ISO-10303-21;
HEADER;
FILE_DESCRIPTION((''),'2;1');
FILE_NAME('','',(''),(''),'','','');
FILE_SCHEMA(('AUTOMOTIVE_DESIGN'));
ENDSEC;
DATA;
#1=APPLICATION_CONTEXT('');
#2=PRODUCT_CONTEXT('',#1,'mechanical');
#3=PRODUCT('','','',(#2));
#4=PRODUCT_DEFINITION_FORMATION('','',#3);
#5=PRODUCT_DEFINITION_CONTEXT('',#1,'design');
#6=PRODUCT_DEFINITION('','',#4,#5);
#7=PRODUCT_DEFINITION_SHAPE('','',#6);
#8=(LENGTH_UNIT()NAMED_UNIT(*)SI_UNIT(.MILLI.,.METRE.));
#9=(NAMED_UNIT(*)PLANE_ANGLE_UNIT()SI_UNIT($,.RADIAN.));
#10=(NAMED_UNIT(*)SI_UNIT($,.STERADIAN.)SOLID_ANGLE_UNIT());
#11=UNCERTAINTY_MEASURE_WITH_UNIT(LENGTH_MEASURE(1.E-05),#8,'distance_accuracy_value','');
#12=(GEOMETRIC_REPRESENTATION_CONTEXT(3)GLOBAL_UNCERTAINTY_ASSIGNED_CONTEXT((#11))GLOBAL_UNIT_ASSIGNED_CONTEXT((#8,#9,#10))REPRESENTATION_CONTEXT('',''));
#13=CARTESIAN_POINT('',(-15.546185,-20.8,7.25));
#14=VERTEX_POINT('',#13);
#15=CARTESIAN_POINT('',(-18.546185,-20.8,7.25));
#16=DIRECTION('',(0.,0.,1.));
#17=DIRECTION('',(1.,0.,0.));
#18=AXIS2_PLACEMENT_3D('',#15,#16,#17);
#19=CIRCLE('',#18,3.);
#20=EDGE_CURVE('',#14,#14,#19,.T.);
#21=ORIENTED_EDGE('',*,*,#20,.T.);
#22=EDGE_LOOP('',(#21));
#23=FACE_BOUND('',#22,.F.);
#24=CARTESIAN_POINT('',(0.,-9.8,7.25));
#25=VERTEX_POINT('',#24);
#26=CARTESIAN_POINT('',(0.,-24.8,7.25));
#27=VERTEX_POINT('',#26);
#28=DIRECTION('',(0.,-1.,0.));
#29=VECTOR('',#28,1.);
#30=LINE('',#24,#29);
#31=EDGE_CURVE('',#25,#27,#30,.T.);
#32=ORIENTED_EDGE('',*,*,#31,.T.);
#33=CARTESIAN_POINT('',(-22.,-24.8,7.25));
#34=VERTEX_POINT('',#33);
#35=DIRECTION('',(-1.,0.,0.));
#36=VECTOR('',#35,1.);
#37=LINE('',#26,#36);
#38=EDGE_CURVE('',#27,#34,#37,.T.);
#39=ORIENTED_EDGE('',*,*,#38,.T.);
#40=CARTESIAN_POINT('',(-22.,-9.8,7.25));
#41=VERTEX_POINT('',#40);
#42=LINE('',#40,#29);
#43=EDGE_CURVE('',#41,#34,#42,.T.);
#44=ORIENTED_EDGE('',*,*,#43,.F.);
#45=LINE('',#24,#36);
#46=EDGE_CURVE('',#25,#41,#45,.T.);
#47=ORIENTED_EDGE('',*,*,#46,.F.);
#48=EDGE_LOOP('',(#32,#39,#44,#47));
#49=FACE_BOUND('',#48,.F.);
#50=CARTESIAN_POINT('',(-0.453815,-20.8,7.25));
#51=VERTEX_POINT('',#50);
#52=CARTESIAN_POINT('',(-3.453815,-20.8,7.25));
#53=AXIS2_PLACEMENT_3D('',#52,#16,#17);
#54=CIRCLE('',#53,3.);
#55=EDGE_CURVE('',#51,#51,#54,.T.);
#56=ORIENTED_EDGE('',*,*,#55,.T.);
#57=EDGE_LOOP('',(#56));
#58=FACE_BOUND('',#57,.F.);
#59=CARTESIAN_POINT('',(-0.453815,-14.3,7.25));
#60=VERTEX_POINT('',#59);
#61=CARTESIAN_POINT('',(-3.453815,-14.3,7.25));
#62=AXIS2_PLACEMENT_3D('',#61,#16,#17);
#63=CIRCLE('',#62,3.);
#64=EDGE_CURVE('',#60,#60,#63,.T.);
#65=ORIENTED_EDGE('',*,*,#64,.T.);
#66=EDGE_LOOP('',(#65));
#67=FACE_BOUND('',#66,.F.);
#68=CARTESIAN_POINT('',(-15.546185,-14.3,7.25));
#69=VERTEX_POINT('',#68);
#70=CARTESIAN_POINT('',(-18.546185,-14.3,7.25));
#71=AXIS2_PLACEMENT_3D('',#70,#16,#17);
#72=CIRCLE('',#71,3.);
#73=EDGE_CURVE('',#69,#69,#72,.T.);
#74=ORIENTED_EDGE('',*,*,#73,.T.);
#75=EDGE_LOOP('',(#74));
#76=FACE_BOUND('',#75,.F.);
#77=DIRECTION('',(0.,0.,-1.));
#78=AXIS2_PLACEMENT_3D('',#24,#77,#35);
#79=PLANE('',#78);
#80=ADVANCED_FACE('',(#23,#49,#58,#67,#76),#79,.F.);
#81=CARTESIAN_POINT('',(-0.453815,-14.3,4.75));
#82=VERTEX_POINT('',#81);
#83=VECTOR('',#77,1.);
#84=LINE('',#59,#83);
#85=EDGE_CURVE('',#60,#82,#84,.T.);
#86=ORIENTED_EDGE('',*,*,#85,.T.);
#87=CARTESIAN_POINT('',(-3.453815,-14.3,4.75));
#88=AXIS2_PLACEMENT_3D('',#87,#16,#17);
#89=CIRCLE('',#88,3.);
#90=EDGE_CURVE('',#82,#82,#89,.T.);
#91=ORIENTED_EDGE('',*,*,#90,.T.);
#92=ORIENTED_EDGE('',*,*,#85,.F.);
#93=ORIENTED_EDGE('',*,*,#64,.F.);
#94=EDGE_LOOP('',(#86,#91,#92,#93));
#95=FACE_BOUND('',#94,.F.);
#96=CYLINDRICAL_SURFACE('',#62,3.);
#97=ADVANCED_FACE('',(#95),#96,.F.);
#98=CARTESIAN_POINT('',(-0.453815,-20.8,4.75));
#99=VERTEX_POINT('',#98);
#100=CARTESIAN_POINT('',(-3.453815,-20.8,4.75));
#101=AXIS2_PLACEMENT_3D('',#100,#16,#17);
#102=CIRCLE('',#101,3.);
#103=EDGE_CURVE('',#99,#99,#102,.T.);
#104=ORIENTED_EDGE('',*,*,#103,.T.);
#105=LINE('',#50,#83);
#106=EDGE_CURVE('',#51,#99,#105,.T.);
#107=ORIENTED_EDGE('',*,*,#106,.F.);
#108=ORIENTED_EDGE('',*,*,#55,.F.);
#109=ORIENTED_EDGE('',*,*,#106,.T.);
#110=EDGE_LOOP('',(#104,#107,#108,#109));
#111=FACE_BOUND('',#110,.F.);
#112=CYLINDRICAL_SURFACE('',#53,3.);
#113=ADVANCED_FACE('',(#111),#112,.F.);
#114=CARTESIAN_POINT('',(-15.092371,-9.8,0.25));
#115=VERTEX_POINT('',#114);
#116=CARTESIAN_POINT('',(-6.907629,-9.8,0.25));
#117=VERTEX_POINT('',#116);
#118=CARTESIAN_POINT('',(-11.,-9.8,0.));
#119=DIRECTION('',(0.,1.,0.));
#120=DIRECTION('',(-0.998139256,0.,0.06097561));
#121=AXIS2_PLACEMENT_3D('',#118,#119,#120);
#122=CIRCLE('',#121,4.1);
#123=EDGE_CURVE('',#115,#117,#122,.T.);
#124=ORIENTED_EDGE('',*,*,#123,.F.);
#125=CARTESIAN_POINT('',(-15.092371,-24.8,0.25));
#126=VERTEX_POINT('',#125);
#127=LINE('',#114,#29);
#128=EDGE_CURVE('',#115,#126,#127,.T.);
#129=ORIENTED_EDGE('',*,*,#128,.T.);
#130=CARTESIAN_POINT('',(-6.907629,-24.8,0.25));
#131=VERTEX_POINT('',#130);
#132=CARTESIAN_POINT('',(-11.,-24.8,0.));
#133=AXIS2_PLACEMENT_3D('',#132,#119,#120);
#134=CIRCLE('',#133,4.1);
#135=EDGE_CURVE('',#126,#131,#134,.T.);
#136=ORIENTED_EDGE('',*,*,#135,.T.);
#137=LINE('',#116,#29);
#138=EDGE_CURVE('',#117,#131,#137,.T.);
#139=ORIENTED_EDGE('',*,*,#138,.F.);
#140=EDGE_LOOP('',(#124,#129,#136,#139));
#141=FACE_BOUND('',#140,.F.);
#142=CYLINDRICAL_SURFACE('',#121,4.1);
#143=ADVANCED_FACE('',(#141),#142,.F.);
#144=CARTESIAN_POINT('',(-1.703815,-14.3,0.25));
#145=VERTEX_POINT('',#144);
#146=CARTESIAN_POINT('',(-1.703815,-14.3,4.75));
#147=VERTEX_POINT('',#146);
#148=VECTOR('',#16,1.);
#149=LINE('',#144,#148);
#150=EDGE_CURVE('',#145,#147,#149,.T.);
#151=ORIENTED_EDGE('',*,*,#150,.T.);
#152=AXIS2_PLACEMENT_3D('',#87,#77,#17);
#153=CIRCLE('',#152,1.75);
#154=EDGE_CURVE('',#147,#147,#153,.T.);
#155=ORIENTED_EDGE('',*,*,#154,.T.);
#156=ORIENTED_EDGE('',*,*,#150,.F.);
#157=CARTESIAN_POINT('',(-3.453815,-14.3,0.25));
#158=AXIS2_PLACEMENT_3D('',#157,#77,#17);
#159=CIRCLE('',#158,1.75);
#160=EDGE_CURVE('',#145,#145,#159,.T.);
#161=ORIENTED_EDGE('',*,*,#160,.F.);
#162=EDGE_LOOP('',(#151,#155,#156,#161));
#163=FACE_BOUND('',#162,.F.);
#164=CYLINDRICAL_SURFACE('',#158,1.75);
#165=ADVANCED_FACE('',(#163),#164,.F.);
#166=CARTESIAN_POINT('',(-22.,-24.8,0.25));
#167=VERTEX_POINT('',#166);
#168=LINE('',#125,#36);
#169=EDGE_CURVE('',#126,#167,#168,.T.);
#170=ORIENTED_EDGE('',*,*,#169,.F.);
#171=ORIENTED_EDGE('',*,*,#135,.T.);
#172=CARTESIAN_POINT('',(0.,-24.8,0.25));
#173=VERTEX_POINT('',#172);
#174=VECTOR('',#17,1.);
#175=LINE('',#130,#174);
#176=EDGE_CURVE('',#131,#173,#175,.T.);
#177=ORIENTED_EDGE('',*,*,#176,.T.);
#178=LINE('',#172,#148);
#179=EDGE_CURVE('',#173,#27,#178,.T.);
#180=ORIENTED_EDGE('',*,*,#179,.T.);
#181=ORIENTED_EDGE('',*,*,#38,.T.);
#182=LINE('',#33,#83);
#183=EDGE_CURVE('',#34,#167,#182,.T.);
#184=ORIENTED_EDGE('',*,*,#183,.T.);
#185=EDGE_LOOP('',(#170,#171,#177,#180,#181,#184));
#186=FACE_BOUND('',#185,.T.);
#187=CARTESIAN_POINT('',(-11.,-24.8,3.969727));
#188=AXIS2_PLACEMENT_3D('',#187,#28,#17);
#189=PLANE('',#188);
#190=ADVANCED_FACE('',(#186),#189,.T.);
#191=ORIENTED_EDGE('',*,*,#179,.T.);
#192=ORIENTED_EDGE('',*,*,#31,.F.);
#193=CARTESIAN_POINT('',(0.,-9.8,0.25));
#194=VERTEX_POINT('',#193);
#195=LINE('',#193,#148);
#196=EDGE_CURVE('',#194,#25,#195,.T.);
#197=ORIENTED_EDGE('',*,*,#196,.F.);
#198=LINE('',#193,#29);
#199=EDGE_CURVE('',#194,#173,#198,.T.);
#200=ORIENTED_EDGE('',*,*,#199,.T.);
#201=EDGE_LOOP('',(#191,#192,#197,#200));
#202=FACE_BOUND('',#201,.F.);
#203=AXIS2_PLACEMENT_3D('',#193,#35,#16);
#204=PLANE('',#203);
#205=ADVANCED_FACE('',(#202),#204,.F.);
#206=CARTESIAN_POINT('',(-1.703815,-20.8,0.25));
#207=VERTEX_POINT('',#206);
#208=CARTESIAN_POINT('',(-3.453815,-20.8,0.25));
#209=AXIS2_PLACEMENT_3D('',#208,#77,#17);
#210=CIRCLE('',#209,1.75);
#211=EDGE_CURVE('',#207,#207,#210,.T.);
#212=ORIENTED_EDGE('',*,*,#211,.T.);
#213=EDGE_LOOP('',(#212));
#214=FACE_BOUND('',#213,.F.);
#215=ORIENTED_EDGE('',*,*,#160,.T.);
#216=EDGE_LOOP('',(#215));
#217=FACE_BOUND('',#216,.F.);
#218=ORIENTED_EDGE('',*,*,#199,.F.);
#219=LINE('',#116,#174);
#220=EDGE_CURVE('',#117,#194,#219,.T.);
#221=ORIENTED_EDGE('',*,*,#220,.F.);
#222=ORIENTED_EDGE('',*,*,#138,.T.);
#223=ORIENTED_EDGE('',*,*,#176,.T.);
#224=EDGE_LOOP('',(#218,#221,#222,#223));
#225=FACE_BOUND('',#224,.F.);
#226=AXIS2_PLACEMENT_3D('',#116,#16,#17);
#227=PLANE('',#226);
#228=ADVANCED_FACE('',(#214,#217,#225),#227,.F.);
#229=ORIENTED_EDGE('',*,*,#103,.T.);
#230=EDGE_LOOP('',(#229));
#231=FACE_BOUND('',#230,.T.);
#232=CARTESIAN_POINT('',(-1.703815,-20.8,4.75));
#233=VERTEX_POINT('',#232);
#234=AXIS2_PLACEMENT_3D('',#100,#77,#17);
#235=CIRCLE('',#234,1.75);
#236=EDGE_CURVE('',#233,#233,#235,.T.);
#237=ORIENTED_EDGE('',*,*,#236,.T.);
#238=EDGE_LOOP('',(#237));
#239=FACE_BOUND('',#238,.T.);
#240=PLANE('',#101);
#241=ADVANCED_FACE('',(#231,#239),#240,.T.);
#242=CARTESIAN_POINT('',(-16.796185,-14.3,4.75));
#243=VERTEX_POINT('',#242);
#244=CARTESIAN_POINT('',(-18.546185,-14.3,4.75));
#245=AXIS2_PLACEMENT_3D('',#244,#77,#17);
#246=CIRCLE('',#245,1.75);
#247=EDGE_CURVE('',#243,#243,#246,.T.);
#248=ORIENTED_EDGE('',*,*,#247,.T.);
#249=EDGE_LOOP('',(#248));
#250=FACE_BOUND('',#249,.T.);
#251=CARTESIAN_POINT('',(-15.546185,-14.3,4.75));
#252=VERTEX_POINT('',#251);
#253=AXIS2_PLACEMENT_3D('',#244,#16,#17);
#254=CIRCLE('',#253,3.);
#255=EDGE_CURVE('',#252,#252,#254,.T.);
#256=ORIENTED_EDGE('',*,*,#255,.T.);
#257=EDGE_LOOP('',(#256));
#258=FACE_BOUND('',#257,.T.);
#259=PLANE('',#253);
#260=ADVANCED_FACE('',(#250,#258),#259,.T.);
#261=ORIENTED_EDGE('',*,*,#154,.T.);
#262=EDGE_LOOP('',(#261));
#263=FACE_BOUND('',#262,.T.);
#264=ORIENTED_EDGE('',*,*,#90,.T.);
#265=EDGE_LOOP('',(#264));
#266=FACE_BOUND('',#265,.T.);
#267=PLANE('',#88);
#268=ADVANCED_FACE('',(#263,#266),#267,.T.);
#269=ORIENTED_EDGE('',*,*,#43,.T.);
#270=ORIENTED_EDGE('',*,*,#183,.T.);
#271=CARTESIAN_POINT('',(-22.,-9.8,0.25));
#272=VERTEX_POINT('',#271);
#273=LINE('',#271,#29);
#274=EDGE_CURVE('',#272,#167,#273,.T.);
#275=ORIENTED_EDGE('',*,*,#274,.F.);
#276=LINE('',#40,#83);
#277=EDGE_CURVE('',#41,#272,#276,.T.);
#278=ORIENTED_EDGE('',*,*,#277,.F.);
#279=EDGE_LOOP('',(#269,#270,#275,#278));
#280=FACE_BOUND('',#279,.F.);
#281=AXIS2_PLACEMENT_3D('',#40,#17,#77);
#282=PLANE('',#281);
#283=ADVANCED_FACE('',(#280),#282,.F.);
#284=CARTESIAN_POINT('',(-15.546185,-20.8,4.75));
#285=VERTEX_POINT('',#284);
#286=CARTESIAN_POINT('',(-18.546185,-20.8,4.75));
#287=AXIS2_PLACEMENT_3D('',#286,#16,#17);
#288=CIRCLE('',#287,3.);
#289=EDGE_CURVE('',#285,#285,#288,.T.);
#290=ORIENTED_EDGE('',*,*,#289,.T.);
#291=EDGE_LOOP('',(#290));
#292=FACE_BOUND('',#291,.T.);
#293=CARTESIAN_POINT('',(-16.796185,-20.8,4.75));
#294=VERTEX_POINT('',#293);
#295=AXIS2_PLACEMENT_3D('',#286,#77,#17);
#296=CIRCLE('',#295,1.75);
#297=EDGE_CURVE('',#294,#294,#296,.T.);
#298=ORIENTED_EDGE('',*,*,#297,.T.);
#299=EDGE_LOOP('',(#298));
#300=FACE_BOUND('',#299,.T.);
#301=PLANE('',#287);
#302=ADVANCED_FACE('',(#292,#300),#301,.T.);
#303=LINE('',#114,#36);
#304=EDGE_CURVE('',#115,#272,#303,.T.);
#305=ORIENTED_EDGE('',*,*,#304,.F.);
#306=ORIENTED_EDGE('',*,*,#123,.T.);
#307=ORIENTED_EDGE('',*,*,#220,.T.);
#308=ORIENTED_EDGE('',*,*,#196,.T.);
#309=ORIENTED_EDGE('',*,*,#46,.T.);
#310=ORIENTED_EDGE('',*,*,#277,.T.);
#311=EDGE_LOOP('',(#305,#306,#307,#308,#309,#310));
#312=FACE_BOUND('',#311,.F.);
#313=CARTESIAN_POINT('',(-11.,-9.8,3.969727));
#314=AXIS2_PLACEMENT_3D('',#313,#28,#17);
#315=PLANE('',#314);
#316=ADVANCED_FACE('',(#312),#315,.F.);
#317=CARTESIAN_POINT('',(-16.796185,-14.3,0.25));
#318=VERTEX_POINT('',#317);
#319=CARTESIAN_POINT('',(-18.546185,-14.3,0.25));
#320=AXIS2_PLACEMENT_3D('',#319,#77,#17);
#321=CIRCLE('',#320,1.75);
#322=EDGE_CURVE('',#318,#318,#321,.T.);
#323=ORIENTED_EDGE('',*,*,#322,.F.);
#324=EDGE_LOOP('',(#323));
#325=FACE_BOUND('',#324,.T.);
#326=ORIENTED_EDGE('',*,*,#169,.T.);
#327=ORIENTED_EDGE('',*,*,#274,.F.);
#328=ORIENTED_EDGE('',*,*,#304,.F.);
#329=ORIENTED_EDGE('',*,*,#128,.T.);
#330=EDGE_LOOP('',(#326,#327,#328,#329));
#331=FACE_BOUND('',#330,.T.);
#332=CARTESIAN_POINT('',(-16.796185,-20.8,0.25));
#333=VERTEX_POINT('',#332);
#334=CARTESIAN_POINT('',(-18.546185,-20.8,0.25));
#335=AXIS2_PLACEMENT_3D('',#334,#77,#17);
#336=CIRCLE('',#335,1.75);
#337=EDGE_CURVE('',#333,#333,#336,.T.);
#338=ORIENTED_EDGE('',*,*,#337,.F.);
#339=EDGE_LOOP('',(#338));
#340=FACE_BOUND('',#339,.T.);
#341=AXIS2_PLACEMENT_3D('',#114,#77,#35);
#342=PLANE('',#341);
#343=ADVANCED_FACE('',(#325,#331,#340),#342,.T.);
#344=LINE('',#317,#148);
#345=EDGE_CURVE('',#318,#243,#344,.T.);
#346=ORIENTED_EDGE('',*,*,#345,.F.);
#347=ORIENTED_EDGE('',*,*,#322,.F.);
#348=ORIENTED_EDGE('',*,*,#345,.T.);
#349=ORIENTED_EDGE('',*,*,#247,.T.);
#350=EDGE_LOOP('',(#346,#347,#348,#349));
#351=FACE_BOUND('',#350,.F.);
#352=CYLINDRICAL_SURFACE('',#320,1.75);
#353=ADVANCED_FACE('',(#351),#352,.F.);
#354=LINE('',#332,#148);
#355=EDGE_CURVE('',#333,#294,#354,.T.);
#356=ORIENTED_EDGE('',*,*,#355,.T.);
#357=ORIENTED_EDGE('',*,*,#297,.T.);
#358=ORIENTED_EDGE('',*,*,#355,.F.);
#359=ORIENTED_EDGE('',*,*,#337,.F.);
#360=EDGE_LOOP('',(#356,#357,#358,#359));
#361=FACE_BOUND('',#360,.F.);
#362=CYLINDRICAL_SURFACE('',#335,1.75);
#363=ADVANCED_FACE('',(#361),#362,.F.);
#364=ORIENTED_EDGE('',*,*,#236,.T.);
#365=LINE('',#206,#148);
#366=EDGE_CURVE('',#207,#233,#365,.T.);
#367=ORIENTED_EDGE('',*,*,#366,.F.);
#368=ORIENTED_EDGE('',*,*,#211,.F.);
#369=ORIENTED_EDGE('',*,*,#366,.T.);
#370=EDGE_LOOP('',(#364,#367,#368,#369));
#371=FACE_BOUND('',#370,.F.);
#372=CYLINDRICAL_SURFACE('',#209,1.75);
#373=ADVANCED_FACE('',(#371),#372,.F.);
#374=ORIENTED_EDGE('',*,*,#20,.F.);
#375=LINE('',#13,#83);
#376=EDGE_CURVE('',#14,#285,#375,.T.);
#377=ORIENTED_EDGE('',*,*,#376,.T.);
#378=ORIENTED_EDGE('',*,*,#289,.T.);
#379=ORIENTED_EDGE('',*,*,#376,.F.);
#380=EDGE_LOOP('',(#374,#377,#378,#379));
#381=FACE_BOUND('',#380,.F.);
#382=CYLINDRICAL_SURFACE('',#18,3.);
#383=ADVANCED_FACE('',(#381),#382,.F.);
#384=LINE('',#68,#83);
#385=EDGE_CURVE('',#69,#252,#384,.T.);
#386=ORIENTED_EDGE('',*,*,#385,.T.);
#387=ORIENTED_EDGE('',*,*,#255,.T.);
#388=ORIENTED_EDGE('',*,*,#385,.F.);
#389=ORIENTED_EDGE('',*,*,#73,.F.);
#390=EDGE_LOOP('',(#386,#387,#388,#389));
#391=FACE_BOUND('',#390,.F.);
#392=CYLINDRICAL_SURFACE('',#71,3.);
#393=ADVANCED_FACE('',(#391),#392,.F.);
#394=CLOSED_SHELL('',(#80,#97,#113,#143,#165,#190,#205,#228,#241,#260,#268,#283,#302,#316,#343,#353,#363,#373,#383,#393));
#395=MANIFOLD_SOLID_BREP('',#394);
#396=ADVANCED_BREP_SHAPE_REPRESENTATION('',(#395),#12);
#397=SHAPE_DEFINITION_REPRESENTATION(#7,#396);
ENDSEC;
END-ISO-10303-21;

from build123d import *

# Parameters (mm, degrees)
PAD008_DEPTH    = 15
SKETCH018_R     = 1.75
POCKET008_DEPTH = 7.001
SKETCH019_R     = 3
POCKET009_DEPTH = 2.5


with BuildPart() as part:
    # Sketch017 (on Face1 of ReferencePocket007) → Pad008 (new body)
    with BuildSketch(Plane(origin=(0, -9.8, 0), x_dir=(-1, 0, 0), z_dir=(0, 1, 0))):
        with BuildLine():
            ThreePointArc((15.0923709509, 0.25), (11, 4.1), (6.9076290491, 0.25))
            Line((6.9076290491, 0.25), (0, 0.25))
            Line((0, 0.25), (0, 7.25))
            Line((0, 7.25), (22, 7.25))
            Line((22, 7.25), (22, 0.25))
            Line((15.0923709509, 0.25), (22, 0.25))
        make_face()
    extrude(amount=-PAD008_DEPTH)

    # Sketch018 (on Face6 of Pad008) → Pocket008 (cut, through all)
    with BuildSketch(Plane(origin=(0, 0, 0.25), x_dir=(1, 0, 0), z_dir=(0, 0, -1))):
        with Locations((-18.5461854755, 14.3)):
            Circle(SKETCH018_R)
        with Locations((-18.5461854755, 20.8)):
            Circle(SKETCH018_R)
        with Locations((-3.4538145245, 20.8)):
            Circle(SKETCH018_R)
        with Locations((-3.4538145245, 14.3)):
            Circle(SKETCH018_R)
    extrude(amount=-POCKET008_DEPTH, mode=Mode.SUBTRACT)

    # Sketch019 (on Face12 of Pocket008) → Pocket009 (cut)
    with BuildSketch(Plane.XY.offset(7.25)):
        with Locations((-18.5461854755, -14.3)):
            Circle(SKETCH019_R)
        with Locations((-18.5461854755, -20.8)):
            Circle(SKETCH019_R)
        with Locations((-3.4538145245, -20.8)):
            Circle(SKETCH019_R)
        with Locations((-3.4538145245, -14.3)):
            Circle(SKETCH019_R)
    extrude(amount=-POCKET009_DEPTH, mode=Mode.SUBTRACT)


solid = part.part
